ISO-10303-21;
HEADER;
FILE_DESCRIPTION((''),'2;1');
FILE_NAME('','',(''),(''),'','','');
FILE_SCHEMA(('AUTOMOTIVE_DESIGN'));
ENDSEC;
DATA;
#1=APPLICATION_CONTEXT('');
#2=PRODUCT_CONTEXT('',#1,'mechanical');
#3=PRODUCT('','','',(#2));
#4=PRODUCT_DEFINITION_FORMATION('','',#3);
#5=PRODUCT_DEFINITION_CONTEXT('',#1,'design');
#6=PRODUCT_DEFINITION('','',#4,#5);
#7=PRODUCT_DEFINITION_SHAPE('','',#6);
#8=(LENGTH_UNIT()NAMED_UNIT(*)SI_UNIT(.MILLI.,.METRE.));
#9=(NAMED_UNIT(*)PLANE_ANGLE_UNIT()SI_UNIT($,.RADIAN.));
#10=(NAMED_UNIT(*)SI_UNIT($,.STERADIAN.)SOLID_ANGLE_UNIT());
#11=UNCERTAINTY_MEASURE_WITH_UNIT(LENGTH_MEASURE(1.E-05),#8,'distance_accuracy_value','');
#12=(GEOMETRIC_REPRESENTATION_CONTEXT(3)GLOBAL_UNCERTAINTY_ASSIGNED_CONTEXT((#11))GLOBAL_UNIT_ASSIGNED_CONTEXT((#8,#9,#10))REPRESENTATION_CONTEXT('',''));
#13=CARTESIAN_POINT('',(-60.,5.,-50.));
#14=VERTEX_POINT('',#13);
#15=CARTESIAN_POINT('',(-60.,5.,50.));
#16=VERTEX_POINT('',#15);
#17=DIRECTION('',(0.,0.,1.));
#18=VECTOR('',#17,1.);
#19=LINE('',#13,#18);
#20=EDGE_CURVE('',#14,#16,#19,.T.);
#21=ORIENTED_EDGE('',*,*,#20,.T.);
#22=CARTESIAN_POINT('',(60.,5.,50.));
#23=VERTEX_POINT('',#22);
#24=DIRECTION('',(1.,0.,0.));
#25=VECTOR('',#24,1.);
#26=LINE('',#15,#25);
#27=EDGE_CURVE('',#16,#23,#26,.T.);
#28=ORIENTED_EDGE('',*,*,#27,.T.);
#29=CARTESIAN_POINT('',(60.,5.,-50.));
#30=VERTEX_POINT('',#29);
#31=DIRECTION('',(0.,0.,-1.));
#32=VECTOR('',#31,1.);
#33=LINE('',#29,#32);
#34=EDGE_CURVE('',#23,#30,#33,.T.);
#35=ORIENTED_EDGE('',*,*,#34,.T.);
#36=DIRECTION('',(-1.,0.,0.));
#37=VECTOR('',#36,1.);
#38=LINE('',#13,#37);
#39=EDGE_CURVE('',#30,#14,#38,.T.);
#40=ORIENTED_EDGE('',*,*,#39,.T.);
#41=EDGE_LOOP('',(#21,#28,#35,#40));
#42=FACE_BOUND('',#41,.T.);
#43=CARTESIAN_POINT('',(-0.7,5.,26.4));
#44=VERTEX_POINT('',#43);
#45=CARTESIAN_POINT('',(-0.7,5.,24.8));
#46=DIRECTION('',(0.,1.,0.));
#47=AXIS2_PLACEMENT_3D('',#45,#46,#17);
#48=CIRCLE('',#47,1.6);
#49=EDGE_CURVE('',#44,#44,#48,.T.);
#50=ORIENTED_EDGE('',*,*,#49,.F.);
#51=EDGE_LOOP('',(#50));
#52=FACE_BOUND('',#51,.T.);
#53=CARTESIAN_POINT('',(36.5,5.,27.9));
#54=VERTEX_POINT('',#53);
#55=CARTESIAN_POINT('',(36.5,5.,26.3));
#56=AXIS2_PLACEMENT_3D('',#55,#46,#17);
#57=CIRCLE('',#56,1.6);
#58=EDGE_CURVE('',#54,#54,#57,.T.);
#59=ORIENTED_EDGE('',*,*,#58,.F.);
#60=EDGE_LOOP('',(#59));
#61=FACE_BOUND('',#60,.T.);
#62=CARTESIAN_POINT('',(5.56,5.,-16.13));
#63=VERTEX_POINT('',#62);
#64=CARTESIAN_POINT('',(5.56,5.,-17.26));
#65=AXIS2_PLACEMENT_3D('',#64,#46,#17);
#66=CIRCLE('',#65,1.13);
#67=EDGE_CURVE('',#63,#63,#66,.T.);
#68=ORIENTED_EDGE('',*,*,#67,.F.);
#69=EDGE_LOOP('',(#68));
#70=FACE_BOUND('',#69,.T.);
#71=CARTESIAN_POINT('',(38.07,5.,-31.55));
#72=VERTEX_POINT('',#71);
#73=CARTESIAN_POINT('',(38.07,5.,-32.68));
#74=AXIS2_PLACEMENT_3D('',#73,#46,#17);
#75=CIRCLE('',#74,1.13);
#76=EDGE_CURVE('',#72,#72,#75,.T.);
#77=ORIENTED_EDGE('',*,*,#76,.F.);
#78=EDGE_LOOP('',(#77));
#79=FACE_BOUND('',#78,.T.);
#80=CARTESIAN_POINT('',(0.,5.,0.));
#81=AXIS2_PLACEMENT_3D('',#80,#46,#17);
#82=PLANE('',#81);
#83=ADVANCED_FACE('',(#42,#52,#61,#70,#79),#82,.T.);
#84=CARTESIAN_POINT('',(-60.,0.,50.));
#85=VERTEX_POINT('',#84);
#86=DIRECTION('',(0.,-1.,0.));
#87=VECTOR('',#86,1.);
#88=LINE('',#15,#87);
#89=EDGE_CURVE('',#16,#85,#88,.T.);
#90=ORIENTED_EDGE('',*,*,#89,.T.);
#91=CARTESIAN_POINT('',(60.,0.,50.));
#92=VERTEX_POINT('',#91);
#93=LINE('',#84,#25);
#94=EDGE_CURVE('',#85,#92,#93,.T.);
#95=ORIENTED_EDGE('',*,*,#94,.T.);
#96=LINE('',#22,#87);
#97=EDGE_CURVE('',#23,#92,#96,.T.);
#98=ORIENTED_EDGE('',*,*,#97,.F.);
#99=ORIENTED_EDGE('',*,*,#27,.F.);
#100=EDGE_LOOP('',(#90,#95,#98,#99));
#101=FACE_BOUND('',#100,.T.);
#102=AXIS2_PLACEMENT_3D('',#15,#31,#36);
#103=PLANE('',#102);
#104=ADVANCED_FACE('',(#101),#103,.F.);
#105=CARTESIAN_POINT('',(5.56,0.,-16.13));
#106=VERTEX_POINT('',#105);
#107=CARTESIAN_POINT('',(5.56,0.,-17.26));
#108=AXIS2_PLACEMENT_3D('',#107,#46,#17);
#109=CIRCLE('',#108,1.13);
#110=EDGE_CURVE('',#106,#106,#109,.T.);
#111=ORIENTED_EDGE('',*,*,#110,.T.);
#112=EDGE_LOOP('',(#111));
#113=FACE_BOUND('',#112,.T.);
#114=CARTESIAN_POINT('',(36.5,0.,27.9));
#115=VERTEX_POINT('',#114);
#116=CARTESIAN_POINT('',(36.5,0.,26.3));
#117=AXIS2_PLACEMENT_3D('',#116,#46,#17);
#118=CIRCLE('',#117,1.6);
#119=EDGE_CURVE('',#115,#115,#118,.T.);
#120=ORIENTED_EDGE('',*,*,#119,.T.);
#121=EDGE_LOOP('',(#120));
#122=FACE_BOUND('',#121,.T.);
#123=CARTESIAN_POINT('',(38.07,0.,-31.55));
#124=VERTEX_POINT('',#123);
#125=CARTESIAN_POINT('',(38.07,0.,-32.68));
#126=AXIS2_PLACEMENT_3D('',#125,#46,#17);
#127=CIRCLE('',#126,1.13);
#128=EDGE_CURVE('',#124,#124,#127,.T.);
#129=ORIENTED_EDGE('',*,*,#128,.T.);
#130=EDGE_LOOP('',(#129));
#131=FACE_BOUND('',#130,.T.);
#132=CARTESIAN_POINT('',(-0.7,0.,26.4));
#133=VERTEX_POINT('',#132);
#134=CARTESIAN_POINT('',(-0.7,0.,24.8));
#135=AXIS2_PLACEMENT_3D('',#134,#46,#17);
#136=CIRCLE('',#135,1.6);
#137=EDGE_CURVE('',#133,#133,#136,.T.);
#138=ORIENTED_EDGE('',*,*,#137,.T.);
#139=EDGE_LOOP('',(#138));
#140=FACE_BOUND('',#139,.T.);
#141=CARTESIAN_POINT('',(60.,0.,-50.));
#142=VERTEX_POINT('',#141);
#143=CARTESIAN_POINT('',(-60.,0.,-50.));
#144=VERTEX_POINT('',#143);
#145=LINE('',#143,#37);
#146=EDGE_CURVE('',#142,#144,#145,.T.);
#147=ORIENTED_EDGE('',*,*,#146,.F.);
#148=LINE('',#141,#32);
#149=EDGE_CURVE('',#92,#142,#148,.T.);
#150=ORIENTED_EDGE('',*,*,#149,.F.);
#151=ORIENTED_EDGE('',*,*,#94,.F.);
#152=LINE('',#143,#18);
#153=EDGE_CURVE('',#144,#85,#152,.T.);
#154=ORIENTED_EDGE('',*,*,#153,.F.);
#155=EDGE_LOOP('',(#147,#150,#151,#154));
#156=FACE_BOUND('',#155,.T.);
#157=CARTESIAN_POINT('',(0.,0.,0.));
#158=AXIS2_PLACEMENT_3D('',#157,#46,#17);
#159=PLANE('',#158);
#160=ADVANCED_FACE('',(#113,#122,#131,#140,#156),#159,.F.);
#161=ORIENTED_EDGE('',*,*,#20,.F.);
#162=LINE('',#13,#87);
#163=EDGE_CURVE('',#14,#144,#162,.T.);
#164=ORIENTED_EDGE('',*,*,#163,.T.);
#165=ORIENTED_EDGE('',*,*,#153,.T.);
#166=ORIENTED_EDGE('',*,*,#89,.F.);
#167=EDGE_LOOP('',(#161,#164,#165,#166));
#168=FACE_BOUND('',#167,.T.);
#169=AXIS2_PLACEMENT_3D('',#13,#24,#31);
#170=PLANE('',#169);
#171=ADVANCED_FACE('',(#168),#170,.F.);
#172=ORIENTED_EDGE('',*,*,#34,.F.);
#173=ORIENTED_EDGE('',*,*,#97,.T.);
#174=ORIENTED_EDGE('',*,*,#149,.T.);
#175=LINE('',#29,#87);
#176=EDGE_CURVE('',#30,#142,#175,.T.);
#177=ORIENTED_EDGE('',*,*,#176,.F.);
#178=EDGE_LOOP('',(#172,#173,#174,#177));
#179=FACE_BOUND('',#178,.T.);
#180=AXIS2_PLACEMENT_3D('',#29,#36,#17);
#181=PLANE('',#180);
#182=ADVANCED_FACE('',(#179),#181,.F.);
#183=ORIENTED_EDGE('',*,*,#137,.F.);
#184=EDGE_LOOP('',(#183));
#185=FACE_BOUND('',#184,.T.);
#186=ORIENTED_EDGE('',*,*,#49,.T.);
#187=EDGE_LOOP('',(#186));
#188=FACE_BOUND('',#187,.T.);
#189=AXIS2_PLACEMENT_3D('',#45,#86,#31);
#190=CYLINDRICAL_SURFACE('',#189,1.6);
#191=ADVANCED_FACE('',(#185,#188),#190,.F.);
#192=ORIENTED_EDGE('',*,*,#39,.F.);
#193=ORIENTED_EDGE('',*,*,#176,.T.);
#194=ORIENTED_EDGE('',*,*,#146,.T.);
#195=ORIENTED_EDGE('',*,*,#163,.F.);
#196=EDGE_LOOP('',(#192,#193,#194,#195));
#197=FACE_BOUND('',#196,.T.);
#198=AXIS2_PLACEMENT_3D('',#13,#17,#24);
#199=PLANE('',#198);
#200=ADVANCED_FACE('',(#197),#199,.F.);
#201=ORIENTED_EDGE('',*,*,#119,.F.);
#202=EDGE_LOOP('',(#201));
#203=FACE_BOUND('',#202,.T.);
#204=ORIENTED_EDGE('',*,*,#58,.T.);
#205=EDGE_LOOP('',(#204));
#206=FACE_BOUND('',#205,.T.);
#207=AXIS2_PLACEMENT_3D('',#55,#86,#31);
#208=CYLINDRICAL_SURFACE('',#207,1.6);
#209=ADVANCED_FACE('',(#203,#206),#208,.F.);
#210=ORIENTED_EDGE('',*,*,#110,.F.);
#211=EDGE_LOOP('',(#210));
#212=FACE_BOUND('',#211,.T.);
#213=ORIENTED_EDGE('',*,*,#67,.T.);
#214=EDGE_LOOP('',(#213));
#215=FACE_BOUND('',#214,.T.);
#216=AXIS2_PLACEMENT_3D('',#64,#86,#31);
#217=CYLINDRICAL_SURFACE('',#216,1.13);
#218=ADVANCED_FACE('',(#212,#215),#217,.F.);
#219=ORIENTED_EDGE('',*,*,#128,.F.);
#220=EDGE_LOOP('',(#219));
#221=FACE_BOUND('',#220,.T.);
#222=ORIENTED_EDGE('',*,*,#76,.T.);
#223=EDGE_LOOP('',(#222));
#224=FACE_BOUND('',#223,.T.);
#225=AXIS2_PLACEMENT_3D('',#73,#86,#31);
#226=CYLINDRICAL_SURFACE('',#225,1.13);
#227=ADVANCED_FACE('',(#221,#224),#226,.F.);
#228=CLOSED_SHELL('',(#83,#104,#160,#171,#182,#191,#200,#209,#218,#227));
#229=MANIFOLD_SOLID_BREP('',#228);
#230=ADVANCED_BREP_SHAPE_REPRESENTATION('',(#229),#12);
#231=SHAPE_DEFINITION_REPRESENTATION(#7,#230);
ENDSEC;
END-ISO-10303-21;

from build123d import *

# Parameters (mm, degrees)
SKETCH1_W           = 120
SKETCH1_H           = 100
SKETCH1_R           = 1.6
SKETCH1_R_2         = 1.13
BOSS_EXTRUDE1_DEPTH = 5


with BuildPart() as part:
    # Sketch1 → Boss-Extrude1 (new body)
    with BuildSketch(Plane(origin=(0, 0, 0), x_dir=(1, 0, 0), z_dir=(0, 1, 0))):
        Rectangle(SKETCH1_W, SKETCH1_H)
        with Locations(Location((36.5, -26.3, 0), (0, 0, 270))):
            Circle(SKETCH1_R, mode=Mode.SUBTRACT)
        with Locations(Location((-0.7, -24.8, 0), (0, 0, 270))):
            Circle(SKETCH1_R, mode=Mode.SUBTRACT)
        with Locations(Location((38.07, 32.68, 0), (0, 0, 270))):
            Circle(SKETCH1_R_2, mode=Mode.SUBTRACT)
        with Locations(Location((5.56, 17.26, 0), (0, 0, 270))):
            Circle(SKETCH1_R_2, mode=Mode.SUBTRACT)
    extrude(amount=BOSS_EXTRUDE1_DEPTH)


solid = part.part
